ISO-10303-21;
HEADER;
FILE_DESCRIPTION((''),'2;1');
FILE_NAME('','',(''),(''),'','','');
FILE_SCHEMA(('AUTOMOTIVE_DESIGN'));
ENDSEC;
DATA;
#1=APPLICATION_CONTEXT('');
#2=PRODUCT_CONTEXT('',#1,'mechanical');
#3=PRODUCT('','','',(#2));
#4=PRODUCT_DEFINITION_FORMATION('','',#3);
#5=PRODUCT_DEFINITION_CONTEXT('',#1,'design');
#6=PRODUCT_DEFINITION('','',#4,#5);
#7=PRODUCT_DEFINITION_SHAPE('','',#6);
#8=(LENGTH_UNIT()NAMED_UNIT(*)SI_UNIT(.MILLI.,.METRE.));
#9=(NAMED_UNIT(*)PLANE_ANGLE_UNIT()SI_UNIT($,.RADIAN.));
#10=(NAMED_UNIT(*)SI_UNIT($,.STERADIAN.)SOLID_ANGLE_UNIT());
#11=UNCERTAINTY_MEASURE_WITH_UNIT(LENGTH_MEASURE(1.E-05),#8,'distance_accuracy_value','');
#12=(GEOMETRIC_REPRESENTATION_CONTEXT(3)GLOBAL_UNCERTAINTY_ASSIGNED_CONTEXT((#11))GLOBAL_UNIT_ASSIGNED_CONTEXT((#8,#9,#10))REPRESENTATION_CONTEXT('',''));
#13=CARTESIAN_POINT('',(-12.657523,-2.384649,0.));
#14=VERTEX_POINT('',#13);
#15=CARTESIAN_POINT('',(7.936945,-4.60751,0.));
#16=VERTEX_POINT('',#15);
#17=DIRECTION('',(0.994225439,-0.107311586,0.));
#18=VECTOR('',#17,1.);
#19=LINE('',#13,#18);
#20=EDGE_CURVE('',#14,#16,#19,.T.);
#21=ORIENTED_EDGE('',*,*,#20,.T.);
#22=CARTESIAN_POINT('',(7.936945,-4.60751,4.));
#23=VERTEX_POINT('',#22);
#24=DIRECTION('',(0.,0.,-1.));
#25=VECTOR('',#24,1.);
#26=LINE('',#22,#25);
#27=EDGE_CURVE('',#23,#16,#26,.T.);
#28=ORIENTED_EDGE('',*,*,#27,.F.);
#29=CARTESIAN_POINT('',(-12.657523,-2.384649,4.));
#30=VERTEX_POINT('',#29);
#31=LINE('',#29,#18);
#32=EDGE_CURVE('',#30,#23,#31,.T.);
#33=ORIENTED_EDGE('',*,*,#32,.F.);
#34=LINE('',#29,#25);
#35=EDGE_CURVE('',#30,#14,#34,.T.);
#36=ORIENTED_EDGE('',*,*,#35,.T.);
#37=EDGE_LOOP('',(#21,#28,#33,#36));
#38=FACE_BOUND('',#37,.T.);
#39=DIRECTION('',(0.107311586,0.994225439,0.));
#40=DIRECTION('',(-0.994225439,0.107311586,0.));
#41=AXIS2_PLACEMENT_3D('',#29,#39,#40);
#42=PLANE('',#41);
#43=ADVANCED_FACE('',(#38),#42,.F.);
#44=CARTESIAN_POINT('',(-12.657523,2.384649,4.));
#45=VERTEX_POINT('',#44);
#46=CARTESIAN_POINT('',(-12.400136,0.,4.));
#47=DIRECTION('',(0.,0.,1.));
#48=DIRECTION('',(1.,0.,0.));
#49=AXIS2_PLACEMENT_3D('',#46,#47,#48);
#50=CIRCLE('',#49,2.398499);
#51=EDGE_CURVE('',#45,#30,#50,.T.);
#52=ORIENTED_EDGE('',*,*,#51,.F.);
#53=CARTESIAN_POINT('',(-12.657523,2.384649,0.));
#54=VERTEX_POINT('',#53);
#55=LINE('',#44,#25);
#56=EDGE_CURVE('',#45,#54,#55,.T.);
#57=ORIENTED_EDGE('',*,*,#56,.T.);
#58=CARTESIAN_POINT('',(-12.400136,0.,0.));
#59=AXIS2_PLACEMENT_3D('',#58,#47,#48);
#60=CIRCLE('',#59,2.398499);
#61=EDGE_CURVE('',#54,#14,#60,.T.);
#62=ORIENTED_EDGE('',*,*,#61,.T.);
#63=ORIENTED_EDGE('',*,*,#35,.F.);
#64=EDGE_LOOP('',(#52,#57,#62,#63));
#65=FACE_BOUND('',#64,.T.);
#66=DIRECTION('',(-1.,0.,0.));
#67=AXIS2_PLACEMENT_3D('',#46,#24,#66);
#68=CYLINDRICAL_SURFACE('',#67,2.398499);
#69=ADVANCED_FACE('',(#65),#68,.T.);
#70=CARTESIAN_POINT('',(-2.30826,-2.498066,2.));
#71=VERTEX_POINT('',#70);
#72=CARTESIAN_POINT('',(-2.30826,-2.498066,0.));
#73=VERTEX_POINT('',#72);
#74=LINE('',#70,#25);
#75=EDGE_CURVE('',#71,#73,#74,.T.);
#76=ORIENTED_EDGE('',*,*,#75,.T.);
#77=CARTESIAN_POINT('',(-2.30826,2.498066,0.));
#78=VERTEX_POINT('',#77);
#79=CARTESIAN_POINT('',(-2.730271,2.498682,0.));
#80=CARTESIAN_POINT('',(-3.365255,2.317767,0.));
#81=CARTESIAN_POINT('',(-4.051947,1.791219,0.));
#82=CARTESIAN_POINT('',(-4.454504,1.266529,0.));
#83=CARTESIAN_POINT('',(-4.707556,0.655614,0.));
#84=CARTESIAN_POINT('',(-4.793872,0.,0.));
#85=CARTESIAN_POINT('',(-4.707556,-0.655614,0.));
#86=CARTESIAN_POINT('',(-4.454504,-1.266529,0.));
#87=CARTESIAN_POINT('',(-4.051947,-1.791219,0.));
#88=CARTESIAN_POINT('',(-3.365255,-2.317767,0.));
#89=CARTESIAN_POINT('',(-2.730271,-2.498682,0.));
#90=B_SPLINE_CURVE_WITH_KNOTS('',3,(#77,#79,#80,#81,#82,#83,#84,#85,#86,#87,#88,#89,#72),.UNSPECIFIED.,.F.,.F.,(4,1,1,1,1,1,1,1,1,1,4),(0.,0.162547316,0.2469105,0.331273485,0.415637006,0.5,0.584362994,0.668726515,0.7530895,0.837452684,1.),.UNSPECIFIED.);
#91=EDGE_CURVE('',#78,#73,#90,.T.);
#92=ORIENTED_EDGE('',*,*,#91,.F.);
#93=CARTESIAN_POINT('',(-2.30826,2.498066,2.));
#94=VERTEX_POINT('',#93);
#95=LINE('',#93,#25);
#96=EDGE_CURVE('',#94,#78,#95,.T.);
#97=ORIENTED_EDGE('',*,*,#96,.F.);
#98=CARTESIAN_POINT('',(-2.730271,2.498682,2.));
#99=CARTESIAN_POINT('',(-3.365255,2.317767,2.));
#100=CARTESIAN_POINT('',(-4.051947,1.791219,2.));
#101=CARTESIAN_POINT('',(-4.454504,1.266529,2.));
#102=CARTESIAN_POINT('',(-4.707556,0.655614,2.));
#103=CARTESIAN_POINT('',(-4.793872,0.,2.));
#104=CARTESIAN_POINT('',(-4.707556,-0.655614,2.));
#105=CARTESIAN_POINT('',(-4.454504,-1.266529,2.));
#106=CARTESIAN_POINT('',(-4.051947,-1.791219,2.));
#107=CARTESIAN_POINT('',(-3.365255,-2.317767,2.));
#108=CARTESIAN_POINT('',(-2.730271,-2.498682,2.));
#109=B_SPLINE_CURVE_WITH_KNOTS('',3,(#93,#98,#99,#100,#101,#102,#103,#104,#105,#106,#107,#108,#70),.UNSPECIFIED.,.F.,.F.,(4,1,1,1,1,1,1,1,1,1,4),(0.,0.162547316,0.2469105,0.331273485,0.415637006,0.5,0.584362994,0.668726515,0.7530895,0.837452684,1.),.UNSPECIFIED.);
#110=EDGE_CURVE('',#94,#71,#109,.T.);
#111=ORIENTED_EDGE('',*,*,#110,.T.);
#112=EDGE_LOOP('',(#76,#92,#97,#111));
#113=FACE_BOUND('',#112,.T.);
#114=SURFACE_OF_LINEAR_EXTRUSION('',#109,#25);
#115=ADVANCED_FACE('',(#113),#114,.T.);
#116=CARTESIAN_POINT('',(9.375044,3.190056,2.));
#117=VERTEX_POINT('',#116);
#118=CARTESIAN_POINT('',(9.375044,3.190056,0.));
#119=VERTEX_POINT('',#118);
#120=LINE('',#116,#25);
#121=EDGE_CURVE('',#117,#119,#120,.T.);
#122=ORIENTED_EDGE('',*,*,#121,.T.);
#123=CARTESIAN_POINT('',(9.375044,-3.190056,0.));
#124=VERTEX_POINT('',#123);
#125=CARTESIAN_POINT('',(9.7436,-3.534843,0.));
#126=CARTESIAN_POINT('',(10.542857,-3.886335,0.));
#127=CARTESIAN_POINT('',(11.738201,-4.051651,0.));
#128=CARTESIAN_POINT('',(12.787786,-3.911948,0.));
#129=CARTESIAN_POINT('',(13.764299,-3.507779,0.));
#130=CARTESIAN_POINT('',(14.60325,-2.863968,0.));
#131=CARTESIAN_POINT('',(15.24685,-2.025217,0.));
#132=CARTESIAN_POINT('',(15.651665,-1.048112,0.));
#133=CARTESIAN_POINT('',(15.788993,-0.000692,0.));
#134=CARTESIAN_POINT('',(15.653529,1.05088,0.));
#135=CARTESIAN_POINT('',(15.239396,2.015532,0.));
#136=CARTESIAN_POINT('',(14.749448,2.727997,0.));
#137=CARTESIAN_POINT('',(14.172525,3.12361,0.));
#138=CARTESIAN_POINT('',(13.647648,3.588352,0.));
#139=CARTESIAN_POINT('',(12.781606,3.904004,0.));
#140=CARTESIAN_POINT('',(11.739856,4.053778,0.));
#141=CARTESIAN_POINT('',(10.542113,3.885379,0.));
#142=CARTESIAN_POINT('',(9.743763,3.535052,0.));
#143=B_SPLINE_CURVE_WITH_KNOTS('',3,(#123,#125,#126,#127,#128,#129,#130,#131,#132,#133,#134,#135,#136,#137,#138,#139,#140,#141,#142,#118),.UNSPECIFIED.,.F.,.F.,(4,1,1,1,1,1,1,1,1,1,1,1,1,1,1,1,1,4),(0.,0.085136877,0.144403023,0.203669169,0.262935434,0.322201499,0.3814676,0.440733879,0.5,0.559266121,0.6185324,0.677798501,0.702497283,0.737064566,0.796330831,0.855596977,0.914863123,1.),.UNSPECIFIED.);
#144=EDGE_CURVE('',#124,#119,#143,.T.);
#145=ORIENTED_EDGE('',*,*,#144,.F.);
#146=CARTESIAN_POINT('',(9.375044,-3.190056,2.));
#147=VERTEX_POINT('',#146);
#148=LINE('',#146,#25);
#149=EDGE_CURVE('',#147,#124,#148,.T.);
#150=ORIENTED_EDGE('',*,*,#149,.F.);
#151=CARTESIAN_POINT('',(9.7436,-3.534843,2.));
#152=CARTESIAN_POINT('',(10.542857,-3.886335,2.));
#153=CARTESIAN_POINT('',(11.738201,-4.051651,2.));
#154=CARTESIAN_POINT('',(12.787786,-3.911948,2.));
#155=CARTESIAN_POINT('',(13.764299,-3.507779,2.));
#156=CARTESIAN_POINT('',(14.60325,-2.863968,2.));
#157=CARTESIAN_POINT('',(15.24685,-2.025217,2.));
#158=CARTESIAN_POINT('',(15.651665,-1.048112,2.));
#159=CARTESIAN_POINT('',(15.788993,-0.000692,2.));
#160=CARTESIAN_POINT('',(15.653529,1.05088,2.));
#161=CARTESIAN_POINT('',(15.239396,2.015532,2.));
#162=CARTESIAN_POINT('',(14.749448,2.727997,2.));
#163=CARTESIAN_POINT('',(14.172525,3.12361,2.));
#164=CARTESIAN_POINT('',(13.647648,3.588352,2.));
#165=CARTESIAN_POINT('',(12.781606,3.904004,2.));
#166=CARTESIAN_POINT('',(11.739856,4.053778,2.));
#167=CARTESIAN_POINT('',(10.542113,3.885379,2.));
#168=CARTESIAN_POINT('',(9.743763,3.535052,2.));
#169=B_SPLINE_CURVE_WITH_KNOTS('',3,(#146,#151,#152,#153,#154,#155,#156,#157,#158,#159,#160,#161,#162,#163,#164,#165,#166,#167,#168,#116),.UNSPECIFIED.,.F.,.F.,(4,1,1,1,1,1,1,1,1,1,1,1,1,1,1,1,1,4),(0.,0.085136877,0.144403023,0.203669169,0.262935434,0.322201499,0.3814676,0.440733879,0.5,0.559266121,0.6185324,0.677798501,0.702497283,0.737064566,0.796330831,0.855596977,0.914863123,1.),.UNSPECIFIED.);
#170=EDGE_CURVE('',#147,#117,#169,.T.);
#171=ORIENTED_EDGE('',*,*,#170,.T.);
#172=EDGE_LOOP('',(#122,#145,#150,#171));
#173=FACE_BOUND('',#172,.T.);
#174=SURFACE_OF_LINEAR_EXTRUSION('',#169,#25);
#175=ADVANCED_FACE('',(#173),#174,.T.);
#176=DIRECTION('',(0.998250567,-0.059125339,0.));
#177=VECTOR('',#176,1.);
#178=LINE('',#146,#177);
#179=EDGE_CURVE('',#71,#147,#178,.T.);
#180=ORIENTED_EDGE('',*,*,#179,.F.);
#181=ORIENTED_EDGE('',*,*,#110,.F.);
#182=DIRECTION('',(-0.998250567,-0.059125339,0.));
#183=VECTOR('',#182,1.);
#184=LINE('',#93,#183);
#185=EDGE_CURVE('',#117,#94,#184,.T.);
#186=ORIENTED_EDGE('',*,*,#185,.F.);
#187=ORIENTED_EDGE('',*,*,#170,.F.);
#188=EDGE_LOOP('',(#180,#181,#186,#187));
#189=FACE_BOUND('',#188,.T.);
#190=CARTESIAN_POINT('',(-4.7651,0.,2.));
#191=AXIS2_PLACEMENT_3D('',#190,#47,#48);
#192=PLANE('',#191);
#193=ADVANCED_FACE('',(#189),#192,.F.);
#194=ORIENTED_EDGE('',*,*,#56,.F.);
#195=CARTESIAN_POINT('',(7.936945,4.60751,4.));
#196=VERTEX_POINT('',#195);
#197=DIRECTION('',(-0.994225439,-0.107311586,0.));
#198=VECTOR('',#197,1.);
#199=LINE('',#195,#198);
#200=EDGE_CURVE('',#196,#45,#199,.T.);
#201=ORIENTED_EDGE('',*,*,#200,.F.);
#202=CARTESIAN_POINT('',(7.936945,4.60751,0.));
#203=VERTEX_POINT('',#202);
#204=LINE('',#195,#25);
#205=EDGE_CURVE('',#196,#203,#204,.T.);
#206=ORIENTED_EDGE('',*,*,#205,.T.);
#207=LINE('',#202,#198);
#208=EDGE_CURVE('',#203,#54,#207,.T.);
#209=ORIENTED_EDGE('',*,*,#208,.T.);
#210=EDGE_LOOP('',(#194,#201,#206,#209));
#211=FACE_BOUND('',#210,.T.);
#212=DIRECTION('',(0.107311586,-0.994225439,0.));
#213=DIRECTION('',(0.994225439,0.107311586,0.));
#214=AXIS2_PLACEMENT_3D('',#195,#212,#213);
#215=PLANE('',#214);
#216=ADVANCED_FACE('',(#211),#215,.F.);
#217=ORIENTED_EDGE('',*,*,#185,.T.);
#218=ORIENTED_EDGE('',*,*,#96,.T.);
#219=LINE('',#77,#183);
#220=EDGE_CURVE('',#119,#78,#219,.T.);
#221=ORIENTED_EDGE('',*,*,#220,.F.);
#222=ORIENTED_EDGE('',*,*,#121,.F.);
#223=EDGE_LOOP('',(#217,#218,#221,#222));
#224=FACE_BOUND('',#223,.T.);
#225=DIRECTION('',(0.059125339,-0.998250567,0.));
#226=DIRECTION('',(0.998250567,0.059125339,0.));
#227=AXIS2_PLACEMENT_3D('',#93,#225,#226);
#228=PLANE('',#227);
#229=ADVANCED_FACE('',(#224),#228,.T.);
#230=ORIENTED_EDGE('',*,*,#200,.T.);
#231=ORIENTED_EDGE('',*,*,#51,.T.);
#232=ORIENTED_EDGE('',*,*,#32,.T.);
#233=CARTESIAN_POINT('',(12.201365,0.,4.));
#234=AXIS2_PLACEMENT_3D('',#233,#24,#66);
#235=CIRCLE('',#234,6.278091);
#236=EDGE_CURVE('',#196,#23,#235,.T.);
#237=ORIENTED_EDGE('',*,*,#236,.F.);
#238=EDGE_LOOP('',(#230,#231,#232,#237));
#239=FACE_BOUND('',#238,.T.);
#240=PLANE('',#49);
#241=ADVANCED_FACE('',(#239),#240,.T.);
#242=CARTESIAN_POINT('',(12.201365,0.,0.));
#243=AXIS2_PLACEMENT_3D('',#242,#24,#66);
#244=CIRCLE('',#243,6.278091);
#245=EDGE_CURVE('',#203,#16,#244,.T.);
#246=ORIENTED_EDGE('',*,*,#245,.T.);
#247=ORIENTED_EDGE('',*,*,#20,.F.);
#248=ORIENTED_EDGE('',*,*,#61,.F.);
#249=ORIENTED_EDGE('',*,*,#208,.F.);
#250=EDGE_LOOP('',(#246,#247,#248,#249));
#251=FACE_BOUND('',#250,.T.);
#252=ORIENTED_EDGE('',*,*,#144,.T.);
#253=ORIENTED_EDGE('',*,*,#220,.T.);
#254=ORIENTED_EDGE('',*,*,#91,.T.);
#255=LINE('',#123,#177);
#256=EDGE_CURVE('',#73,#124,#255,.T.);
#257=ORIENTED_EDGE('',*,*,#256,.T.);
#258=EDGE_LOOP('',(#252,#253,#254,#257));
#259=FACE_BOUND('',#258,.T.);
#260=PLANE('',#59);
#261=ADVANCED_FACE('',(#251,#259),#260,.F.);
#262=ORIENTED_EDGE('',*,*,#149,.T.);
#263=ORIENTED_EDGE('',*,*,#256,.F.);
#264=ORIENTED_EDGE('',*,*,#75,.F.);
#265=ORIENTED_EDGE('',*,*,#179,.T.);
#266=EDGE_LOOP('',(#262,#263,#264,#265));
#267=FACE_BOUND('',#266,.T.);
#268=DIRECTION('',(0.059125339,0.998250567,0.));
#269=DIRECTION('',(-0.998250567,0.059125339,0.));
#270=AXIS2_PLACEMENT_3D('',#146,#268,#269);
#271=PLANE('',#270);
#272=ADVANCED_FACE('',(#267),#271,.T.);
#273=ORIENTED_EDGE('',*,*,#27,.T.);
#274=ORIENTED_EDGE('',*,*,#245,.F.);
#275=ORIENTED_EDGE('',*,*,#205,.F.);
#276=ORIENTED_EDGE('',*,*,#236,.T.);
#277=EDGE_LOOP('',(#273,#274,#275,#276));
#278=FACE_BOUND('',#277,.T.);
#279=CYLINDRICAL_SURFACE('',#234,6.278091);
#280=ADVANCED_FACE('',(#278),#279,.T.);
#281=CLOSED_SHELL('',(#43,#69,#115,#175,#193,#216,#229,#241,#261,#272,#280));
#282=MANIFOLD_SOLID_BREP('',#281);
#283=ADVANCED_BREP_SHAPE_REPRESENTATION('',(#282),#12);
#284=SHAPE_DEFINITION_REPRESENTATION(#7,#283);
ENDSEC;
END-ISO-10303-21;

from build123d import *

# Parameters (mm, degrees)
BOSS_EXTRUDE6_DEPTH = 4
CUT_EXTRUDE1_DEPTH  = 2


with BuildPart() as part:
    # Sketch2 → Boss-Extrude6 (new body)
    with BuildSketch(Plane.XY):
        with BuildLine():
            Line((7.936945185, 4.607509822), (-12.657523049, 2.384648727))
            ThreePointArc((-12.657523049, 2.384648727), (-14.798635322, 0), (-12.657523049, -2.384648727))
            Line((-12.657523049, -2.384648727), (7.936945185, -4.607509822))
            ThreePointArc((7.936945185, -4.607509822), (18.479455181, 0), (7.936945185, 4.607509822))
        make_face()
    extrude(amount=BOSS_EXTRUDE6_DEPTH)

    # Sketch1 → Cut-Extrude1 (cut)
    with BuildSketch(Plane.XY):
        with BuildLine():
            Line((-2.308259951, 2.498066053), (9.375044145, 3.190055955))
            add(Edge.make_bspline(
                [(9.375044145, 3.190055955), (9.743762717, 3.535051607), (10.542113364, 3.885379294), (11.739855888, 4.053778423), (12.781606273, 3.904003548), (13.647647588, 3.58835165), (14.172524986, 3.123610305), (14.749448402, 2.727996587), (15.239395752, 2.01553181), (15.653528757, 1.050879588), (15.788992815, -0.000691818), (15.651665108, -1.048112313), (15.246850359, -2.025217286), (14.603250264, -2.863967716), (13.764299096, -3.507779486), (12.787785525, -3.91194775), (11.73820132, -4.051651269), (10.542857019, -3.886335356), (9.743600409, -3.534842939), (9.375044145, -3.190055955)],
                knots=[0, 0, 0, 0, 0.085136877, 0.144403023, 0.203669169, 0.262935434, 0.297502717, 0.322201499, 0.3814676, 0.440733879, 0.5, 0.559266121, 0.6185324, 0.677798501, 0.737064566, 0.796330831, 0.855596977, 0.914863123, 1, 1, 1, 1], degree=3))
            Line((9.375044145, -3.190055955), (-2.308259951, -2.498066053))
            add(Edge.make_bspline(
                [(-2.308259951, -2.498066053), (-2.730270965, -2.498681523), (-3.365255191, -2.317767142), (-4.051947117, -1.791219452), (-4.45450445, -1.266528616), (-4.707556493, -0.655614107), (-4.793872131, 0), (-4.707556493, 0.655614107), (-4.45450445, 1.266528616), (-4.051947117, 1.791219452), (-3.365255191, 2.317767142), (-2.730270965, 2.498681523), (-2.308259951, 2.498066053)],
                knots=[0, 0, 0, 0, 0.162547316, 0.2469105, 0.331273485, 0.415637006, 0.5, 0.584362994, 0.668726515, 0.7530895, 0.837452684, 1, 1, 1, 1], degree=3))
        make_face()
    extrude(amount=CUT_EXTRUDE1_DEPTH, mode=Mode.SUBTRACT)


solid = part.part
